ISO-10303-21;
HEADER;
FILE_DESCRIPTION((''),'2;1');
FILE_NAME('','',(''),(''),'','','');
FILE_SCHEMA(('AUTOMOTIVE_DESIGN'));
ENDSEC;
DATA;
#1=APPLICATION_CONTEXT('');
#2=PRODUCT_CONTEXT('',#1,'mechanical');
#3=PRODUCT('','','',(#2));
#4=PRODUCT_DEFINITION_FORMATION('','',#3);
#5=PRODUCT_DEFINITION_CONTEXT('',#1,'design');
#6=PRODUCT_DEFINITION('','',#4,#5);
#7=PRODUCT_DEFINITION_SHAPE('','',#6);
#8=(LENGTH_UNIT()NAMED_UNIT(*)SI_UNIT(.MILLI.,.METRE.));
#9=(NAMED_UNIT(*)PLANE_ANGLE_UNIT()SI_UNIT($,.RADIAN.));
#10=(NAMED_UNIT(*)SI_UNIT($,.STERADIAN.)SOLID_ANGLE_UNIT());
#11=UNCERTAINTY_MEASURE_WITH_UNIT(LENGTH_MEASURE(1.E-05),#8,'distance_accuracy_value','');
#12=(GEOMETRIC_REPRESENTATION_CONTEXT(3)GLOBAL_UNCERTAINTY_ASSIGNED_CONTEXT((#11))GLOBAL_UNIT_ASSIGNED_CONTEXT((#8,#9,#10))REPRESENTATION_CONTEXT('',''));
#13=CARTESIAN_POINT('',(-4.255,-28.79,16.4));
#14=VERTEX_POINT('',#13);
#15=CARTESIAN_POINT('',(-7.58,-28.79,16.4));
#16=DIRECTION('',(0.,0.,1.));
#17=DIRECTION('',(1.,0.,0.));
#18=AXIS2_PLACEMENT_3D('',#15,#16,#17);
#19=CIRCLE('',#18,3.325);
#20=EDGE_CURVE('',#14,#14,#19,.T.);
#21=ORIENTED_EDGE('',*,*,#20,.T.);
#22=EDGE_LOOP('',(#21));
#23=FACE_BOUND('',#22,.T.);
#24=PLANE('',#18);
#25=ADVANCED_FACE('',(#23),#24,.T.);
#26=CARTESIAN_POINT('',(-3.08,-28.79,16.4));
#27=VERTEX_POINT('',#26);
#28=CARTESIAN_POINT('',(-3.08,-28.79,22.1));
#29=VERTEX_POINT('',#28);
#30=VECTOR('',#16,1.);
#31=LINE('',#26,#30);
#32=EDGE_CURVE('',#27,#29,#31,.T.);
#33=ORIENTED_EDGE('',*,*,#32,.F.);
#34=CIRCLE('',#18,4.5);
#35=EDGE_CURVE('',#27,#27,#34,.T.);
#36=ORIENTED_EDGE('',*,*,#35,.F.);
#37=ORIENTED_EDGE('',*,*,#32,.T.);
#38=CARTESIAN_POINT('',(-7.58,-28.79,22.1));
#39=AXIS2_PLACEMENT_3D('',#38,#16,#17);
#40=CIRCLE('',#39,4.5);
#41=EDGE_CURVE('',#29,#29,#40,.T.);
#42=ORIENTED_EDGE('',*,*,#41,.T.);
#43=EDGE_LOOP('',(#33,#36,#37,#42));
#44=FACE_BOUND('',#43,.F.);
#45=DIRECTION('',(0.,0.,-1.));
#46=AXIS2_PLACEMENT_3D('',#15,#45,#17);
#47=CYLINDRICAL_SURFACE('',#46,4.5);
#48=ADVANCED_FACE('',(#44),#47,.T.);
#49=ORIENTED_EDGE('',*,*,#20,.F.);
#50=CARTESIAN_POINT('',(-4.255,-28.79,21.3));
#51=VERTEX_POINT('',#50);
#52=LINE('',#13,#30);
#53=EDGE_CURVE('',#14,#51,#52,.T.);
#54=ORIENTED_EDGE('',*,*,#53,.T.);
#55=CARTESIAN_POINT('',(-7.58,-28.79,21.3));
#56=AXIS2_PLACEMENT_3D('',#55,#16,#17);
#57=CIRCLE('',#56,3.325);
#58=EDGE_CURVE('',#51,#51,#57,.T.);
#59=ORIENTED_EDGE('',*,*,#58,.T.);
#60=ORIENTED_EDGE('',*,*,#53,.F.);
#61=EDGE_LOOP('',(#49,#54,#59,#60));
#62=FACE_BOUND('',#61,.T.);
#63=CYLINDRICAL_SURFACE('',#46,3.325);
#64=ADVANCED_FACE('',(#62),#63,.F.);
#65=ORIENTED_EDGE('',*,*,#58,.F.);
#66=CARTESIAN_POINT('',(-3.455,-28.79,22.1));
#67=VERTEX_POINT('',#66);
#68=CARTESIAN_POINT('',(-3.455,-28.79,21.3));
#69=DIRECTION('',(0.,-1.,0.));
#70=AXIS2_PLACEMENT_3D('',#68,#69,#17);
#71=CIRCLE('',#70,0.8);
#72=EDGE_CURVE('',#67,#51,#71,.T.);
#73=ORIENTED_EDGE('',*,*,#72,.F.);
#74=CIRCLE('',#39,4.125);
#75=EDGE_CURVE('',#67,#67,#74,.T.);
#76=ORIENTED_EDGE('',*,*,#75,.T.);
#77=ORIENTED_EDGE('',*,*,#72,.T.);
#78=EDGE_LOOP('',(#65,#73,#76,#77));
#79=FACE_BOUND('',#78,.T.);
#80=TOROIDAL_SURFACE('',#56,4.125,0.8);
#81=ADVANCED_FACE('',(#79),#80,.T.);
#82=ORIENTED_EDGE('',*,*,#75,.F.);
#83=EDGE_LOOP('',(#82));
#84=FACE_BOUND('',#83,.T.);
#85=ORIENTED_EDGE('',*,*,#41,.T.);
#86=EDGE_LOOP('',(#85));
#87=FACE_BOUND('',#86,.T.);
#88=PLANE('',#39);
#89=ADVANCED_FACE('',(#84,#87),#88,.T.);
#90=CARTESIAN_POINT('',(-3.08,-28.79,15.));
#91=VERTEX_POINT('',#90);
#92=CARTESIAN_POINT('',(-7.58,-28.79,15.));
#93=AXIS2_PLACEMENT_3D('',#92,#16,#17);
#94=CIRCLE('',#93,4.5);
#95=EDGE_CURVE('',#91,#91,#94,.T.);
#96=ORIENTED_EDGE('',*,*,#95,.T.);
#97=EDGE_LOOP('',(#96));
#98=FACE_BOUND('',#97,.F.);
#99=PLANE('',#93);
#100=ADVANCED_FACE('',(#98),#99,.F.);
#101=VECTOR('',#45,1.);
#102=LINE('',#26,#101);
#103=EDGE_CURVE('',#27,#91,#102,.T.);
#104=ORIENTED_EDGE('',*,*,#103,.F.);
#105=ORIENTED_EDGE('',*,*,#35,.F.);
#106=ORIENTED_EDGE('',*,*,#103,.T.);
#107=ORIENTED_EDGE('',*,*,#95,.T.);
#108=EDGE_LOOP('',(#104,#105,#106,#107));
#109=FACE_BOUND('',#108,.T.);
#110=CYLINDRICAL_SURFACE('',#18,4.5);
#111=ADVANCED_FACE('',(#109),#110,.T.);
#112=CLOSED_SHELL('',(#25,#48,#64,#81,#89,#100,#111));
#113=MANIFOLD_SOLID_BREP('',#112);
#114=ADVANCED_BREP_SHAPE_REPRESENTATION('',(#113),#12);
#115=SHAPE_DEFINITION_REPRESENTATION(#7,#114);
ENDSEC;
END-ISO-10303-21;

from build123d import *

# Parameters (mm, degrees)
SKETCH064_R     = 4.5
PAD029_DEPTH    = 1.4
SKETCH065_R     = 4.5
PAD030_DEPTH    = 5.7
SKETCH066_R     = 3.325
POCKET031_DEPTH = 5.7
FILLET002_R     = 0.8


with BuildPart() as part:
    # Sketch064 → Pad029 (new body)
    with BuildSketch(Plane.XY):
        with Locations((-7.58, -28.79)):
            Circle(SKETCH064_R)
    extrude(amount=-PAD029_DEPTH)

    # Sketch065 → Pad030 (join)
    with BuildSketch(Plane.XY):
        with Locations((-7.58, -28.79)):
            Circle(SKETCH065_R)
    extrude(amount=PAD030_DEPTH)

    # Sketch066 → Pocket031 (cut)
    with BuildSketch(Plane.XY):
        with Locations((-7.58, -28.79)):
            Circle(SKETCH066_R)
    extrude(amount=POCKET031_DEPTH, mode=Mode.SUBTRACT)

    # Fillet002
    fillet002_edges = [part.edges().sort_by_distance(p)[0] for p in [
        (-10.905, -28.79, 5.7),
    ]]
    fillet(fillet002_edges, radius=FILLET002_R)


with BuildPart() as part_1:
    # Body009 placement: moved
    add(part.part.moved(Location((0, 0, 16.4))))


solid = part_1.part
